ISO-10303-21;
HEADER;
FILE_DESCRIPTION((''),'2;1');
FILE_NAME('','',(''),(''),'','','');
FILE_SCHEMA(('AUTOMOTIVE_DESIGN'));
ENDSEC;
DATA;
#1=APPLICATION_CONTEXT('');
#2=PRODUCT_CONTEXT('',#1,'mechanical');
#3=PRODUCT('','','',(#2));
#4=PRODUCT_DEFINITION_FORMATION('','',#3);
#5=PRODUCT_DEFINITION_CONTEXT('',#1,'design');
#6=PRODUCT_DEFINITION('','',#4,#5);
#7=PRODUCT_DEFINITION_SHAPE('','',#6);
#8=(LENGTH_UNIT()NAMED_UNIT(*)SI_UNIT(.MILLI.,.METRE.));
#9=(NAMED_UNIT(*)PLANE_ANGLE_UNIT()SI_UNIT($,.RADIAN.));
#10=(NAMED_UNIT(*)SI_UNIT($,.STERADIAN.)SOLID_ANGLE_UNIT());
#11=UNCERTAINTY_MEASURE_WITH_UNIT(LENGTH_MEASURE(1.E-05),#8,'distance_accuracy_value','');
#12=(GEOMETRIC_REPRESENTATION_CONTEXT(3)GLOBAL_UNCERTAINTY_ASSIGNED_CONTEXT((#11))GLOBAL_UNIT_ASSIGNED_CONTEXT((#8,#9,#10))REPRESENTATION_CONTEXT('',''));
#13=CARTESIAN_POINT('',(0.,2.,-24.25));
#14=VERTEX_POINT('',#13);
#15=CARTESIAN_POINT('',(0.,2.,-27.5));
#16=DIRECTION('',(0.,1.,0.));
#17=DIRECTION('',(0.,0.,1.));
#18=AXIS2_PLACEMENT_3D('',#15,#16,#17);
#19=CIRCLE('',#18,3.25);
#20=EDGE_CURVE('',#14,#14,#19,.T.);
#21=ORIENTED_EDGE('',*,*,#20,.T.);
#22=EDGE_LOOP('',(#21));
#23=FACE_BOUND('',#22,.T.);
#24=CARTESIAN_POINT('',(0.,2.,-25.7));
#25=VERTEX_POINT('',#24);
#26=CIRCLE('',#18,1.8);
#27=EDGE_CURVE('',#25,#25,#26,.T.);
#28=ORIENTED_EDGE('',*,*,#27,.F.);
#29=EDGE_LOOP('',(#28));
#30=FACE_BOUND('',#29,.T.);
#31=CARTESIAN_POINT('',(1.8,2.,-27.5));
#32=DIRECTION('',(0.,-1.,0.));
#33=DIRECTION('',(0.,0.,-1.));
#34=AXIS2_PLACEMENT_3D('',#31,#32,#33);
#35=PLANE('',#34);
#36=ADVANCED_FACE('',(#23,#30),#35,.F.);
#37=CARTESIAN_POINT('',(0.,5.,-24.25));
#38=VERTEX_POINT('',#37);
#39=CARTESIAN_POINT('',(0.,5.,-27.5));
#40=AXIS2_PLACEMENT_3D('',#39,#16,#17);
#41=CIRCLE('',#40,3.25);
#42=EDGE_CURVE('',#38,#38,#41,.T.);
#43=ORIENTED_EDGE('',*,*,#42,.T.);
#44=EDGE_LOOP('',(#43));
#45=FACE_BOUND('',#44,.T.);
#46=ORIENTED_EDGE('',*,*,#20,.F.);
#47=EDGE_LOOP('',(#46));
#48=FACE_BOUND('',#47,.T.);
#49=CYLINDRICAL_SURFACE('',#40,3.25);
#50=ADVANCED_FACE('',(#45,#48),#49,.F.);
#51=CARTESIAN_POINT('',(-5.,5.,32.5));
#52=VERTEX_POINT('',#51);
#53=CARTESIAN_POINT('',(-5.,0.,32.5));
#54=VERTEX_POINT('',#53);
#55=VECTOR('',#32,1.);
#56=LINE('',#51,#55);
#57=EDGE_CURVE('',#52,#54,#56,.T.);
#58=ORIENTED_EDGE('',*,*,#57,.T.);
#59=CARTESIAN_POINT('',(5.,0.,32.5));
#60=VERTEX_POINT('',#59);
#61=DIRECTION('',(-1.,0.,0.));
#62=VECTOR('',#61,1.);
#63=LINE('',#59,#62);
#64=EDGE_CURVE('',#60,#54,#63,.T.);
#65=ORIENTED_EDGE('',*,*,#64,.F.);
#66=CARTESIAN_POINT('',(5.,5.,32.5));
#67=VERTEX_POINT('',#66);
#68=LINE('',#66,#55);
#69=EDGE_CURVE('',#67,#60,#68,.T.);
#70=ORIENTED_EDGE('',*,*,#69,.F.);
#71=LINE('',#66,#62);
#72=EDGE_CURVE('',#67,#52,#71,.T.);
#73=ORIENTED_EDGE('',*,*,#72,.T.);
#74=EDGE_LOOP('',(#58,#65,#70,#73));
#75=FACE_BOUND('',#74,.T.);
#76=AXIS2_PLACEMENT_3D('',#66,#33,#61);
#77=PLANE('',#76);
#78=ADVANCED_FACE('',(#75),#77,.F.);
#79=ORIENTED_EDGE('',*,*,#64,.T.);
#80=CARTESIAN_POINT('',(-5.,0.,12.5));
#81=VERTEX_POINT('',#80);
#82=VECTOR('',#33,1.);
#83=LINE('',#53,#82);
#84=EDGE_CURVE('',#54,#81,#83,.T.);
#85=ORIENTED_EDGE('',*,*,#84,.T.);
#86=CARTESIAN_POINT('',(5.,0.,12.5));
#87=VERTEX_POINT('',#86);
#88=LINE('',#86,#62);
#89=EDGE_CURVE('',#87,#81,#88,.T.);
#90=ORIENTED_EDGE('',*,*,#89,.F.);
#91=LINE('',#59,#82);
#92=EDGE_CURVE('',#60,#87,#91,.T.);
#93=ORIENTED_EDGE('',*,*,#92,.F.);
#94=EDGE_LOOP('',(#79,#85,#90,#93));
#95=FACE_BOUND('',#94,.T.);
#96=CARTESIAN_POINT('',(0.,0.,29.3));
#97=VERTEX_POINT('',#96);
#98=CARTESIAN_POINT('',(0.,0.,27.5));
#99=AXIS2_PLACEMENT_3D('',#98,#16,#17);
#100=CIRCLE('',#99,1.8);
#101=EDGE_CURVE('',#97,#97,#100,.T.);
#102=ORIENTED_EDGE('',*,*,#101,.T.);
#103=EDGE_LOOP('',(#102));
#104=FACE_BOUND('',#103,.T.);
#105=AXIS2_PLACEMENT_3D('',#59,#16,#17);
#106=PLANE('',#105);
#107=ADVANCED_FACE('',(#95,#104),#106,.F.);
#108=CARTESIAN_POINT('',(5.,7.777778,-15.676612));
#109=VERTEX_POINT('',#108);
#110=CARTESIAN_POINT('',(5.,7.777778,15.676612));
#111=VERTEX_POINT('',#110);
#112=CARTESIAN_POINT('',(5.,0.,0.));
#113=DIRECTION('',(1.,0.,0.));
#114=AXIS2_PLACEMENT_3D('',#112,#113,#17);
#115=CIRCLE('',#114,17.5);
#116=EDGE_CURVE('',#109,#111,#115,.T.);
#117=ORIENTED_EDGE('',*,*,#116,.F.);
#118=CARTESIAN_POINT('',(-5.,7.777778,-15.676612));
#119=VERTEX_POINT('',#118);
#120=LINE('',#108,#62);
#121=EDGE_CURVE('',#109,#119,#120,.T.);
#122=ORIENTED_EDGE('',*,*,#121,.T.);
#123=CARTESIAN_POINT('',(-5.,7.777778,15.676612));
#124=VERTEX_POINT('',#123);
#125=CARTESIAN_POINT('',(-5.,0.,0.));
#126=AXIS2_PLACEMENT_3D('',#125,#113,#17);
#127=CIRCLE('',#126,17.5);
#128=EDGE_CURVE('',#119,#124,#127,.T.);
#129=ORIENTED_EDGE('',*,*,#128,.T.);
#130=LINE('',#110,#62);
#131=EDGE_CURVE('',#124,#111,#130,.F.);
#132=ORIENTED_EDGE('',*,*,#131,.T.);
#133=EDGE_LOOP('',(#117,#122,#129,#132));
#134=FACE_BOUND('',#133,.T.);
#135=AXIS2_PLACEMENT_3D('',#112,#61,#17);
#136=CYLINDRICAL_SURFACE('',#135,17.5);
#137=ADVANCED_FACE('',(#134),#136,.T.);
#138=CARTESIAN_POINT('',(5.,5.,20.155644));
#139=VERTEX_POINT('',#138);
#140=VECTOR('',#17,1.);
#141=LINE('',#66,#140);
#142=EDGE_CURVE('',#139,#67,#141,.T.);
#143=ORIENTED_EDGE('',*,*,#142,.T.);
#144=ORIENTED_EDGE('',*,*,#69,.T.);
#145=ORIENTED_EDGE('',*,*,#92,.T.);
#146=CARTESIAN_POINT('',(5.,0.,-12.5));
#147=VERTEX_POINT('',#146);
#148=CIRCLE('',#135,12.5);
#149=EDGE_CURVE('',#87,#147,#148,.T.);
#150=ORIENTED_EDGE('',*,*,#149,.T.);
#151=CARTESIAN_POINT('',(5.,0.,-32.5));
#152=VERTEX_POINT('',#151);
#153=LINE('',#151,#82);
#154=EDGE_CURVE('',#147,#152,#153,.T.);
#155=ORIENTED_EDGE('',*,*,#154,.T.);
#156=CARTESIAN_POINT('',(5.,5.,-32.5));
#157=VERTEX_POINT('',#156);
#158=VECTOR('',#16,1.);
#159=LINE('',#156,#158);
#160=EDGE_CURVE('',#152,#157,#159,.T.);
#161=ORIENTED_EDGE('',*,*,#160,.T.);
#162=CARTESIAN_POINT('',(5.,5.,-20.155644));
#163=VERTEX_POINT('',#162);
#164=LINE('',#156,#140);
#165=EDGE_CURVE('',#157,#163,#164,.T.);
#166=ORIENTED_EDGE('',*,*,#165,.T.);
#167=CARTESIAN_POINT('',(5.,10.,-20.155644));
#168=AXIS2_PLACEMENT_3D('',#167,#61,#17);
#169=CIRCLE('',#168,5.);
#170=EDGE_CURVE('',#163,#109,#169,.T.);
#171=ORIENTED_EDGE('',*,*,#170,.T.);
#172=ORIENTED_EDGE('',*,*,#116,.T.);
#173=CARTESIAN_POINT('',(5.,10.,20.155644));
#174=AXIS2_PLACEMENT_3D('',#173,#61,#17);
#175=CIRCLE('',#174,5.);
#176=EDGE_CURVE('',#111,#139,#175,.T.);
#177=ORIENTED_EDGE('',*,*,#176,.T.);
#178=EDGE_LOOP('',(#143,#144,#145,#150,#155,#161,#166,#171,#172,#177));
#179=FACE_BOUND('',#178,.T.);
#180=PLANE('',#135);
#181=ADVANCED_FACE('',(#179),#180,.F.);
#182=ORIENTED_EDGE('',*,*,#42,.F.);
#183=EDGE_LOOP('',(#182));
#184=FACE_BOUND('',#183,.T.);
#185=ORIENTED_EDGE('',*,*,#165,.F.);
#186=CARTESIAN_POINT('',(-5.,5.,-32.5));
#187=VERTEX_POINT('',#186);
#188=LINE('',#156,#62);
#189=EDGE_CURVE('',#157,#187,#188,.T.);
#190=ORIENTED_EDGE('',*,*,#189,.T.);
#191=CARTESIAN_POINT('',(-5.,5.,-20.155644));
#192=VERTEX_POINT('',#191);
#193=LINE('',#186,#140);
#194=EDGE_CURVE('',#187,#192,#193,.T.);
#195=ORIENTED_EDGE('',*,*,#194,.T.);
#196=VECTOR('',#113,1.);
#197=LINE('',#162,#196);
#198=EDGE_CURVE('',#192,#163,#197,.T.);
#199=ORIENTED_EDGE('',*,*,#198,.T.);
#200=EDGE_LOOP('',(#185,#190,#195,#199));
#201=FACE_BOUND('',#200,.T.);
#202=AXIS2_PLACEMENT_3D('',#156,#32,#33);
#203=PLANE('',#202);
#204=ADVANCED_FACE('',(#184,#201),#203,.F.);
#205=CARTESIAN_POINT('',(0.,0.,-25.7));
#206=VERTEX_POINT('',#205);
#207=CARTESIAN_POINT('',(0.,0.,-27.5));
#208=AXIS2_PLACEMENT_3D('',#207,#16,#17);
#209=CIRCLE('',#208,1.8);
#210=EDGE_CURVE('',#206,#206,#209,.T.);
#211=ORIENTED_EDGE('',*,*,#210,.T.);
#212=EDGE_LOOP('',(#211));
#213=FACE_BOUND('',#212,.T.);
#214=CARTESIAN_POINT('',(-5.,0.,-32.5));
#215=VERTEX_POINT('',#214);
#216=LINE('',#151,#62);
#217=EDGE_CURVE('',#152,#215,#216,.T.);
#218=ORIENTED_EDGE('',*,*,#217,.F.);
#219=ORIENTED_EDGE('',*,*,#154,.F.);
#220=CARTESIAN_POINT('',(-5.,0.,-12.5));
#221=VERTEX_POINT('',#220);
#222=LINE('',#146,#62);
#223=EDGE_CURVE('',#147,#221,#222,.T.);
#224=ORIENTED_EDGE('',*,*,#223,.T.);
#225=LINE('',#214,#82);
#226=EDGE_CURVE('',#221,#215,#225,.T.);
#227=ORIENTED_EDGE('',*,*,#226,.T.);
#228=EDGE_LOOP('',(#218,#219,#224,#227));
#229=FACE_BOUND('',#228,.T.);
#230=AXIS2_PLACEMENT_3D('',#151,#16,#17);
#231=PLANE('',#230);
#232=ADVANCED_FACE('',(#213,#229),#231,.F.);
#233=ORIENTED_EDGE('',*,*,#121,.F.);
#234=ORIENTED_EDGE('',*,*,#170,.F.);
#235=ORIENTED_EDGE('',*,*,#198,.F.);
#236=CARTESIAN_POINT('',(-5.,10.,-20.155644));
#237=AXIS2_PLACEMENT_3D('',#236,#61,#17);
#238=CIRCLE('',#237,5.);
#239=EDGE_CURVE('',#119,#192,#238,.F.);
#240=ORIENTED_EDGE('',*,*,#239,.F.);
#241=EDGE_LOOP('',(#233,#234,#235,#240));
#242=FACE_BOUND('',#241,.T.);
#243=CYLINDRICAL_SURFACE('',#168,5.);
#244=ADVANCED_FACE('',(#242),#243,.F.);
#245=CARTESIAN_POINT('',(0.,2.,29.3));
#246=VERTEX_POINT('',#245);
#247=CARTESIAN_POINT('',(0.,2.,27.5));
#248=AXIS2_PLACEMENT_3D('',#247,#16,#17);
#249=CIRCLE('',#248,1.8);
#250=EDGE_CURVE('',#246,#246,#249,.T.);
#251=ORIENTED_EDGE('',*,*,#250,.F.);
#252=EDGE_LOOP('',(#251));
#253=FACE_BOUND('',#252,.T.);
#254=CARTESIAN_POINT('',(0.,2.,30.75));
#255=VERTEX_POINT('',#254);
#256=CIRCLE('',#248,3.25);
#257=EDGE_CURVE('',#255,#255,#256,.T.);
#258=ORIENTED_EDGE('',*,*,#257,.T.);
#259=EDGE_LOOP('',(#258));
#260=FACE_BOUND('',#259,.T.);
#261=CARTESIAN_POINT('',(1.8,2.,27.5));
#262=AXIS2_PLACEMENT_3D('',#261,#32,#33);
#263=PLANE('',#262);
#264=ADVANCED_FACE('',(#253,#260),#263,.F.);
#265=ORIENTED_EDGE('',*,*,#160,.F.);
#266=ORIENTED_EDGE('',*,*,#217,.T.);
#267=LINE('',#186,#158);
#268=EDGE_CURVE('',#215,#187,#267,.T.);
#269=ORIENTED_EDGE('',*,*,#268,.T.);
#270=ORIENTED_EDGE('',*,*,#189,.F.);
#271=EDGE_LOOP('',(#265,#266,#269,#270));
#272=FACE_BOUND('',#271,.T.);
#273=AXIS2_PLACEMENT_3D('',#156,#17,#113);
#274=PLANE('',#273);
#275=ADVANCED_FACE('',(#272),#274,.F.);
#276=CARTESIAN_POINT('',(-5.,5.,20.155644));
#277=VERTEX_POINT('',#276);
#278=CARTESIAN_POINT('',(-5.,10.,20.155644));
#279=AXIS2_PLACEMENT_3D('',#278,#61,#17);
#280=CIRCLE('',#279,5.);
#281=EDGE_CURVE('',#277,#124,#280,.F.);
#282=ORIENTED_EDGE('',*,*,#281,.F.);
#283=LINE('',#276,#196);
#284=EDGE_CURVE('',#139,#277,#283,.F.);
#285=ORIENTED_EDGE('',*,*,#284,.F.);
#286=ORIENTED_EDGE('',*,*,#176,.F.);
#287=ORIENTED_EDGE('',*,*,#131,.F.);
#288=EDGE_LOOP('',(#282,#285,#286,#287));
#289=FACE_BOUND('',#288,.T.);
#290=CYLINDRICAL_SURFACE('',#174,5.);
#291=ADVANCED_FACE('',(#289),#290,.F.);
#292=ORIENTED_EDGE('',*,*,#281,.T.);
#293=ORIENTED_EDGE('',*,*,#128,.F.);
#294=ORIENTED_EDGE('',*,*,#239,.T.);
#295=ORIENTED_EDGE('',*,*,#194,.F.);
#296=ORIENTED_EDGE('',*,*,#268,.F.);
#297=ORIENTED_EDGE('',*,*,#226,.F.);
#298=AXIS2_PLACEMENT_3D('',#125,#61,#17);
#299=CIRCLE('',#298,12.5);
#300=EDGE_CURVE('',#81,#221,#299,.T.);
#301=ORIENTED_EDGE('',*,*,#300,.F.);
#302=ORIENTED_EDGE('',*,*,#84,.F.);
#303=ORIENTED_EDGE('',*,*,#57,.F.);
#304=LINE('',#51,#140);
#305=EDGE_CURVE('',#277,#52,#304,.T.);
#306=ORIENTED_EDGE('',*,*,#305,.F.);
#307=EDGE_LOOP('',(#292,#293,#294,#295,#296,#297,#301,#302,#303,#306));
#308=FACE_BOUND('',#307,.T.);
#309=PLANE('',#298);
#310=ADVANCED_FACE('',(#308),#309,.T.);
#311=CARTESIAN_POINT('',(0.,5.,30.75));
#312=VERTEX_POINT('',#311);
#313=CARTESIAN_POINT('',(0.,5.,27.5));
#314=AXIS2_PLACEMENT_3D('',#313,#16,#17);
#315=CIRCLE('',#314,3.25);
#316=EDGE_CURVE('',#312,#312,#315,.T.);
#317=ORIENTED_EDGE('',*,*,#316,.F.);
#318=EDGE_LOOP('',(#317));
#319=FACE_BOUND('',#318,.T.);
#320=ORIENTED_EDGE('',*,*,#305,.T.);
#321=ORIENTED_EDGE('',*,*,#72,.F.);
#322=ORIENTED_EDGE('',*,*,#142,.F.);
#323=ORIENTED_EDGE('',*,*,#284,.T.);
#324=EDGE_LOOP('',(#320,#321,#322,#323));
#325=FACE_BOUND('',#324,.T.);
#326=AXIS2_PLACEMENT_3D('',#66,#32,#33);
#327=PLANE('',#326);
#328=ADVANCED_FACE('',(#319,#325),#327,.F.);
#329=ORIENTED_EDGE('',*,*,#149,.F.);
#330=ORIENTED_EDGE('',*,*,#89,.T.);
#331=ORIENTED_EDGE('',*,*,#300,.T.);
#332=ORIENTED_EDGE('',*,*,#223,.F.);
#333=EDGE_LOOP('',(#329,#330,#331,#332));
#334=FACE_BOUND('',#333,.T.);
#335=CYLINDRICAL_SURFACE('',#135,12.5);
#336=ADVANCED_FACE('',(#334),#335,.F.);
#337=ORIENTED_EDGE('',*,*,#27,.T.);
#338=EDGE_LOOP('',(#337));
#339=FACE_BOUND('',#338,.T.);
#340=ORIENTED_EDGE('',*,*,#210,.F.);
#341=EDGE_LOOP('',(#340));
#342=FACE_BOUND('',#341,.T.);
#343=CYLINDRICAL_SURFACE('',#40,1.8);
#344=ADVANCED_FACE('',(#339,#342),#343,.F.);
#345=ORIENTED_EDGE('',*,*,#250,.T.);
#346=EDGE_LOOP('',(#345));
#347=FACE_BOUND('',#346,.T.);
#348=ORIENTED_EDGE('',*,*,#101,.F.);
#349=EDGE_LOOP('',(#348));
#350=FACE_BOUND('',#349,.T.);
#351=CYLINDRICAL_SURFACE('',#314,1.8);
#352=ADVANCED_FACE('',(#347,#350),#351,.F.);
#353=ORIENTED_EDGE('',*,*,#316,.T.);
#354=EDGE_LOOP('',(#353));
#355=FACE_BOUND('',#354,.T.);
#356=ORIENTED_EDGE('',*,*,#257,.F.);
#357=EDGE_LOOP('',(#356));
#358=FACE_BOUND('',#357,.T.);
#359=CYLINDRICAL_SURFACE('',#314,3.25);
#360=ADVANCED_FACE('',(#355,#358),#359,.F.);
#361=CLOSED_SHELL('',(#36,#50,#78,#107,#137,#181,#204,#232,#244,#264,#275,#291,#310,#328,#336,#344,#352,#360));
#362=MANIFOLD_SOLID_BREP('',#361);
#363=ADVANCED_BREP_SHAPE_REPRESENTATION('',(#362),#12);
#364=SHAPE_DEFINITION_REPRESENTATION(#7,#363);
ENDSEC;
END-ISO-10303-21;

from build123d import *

# Parameters (mm, degrees)
BOSS_EXTRUDE1_DEPTH            = 5
CBORE_FOR_M3_SHCS1_D           = 3.6
CBORE_FOR_M3_SHCS1_DEPTH       = 5
CBORE_FOR_M3_SHCS1_CBORE_D     = 6.5
CBORE_FOR_M3_SHCS1_CBORE_DEPTH = 3
CBORE_FOR_M3_SHCS1_TIP         = 1.081549114
FILLET1_R                      = 5


with BuildPart() as part:
    # Sketch1 → Boss-Extrude1 (new body, symmetric)
    with BuildSketch(Plane(origin=(0, 0, 0), x_dir=(0, 0, -1), z_dir=(1, 0, 0))):
        with BuildLine():
            Line((-32.5, 0), (-12.5, 0))
            ThreePointArc((-12.5, 0), (0, 12.5), (12.5, 0))
            Line((12.5, 0), (32.5, 0))
            Line((32.5, 0), (32.5, 5))
            Line((32.5, 5), (16.770509831, 5))
            ThreePointArc((16.770509831, 5), (0, 17.5), (-16.770509831, 5))
            Line((-16.770509831, 5), (-32.5, 5))
            Line((-32.5, 5), (-32.5, 0))
        make_face()
    extrude(amount=BOSS_EXTRUDE1_DEPTH, both=True)

    # CBORE for M3 SHCS1
    with Locations(Plane(origin=(-41.05, 5, 0), x_dir=(1, 0, 0), z_dir=(0, 1, 0))):
        with Locations((41.05, -27.5), (41.05, 27.5)):
            CounterBoreHole(CBORE_FOR_M3_SHCS1_D / 2, CBORE_FOR_M3_SHCS1_CBORE_D / 2, CBORE_FOR_M3_SHCS1_CBORE_DEPTH, depth=CBORE_FOR_M3_SHCS1_DEPTH)
            with Locations((0, 0, -(CBORE_FOR_M3_SHCS1_DEPTH + CBORE_FOR_M3_SHCS1_TIP / 2))):  # 118° drill point
                Cone(0, CBORE_FOR_M3_SHCS1_D / 2, CBORE_FOR_M3_SHCS1_TIP, mode=Mode.SUBTRACT)

    # Fillet1
    fillet1_edges = [part.edges().sort_by_distance(p)[0] for p in [
        (0, 5, 16.770509831),
        (0, 5, -16.770509831),
    ]]
    fillet(fillet1_edges, radius=FILLET1_R)


solid = part.part
